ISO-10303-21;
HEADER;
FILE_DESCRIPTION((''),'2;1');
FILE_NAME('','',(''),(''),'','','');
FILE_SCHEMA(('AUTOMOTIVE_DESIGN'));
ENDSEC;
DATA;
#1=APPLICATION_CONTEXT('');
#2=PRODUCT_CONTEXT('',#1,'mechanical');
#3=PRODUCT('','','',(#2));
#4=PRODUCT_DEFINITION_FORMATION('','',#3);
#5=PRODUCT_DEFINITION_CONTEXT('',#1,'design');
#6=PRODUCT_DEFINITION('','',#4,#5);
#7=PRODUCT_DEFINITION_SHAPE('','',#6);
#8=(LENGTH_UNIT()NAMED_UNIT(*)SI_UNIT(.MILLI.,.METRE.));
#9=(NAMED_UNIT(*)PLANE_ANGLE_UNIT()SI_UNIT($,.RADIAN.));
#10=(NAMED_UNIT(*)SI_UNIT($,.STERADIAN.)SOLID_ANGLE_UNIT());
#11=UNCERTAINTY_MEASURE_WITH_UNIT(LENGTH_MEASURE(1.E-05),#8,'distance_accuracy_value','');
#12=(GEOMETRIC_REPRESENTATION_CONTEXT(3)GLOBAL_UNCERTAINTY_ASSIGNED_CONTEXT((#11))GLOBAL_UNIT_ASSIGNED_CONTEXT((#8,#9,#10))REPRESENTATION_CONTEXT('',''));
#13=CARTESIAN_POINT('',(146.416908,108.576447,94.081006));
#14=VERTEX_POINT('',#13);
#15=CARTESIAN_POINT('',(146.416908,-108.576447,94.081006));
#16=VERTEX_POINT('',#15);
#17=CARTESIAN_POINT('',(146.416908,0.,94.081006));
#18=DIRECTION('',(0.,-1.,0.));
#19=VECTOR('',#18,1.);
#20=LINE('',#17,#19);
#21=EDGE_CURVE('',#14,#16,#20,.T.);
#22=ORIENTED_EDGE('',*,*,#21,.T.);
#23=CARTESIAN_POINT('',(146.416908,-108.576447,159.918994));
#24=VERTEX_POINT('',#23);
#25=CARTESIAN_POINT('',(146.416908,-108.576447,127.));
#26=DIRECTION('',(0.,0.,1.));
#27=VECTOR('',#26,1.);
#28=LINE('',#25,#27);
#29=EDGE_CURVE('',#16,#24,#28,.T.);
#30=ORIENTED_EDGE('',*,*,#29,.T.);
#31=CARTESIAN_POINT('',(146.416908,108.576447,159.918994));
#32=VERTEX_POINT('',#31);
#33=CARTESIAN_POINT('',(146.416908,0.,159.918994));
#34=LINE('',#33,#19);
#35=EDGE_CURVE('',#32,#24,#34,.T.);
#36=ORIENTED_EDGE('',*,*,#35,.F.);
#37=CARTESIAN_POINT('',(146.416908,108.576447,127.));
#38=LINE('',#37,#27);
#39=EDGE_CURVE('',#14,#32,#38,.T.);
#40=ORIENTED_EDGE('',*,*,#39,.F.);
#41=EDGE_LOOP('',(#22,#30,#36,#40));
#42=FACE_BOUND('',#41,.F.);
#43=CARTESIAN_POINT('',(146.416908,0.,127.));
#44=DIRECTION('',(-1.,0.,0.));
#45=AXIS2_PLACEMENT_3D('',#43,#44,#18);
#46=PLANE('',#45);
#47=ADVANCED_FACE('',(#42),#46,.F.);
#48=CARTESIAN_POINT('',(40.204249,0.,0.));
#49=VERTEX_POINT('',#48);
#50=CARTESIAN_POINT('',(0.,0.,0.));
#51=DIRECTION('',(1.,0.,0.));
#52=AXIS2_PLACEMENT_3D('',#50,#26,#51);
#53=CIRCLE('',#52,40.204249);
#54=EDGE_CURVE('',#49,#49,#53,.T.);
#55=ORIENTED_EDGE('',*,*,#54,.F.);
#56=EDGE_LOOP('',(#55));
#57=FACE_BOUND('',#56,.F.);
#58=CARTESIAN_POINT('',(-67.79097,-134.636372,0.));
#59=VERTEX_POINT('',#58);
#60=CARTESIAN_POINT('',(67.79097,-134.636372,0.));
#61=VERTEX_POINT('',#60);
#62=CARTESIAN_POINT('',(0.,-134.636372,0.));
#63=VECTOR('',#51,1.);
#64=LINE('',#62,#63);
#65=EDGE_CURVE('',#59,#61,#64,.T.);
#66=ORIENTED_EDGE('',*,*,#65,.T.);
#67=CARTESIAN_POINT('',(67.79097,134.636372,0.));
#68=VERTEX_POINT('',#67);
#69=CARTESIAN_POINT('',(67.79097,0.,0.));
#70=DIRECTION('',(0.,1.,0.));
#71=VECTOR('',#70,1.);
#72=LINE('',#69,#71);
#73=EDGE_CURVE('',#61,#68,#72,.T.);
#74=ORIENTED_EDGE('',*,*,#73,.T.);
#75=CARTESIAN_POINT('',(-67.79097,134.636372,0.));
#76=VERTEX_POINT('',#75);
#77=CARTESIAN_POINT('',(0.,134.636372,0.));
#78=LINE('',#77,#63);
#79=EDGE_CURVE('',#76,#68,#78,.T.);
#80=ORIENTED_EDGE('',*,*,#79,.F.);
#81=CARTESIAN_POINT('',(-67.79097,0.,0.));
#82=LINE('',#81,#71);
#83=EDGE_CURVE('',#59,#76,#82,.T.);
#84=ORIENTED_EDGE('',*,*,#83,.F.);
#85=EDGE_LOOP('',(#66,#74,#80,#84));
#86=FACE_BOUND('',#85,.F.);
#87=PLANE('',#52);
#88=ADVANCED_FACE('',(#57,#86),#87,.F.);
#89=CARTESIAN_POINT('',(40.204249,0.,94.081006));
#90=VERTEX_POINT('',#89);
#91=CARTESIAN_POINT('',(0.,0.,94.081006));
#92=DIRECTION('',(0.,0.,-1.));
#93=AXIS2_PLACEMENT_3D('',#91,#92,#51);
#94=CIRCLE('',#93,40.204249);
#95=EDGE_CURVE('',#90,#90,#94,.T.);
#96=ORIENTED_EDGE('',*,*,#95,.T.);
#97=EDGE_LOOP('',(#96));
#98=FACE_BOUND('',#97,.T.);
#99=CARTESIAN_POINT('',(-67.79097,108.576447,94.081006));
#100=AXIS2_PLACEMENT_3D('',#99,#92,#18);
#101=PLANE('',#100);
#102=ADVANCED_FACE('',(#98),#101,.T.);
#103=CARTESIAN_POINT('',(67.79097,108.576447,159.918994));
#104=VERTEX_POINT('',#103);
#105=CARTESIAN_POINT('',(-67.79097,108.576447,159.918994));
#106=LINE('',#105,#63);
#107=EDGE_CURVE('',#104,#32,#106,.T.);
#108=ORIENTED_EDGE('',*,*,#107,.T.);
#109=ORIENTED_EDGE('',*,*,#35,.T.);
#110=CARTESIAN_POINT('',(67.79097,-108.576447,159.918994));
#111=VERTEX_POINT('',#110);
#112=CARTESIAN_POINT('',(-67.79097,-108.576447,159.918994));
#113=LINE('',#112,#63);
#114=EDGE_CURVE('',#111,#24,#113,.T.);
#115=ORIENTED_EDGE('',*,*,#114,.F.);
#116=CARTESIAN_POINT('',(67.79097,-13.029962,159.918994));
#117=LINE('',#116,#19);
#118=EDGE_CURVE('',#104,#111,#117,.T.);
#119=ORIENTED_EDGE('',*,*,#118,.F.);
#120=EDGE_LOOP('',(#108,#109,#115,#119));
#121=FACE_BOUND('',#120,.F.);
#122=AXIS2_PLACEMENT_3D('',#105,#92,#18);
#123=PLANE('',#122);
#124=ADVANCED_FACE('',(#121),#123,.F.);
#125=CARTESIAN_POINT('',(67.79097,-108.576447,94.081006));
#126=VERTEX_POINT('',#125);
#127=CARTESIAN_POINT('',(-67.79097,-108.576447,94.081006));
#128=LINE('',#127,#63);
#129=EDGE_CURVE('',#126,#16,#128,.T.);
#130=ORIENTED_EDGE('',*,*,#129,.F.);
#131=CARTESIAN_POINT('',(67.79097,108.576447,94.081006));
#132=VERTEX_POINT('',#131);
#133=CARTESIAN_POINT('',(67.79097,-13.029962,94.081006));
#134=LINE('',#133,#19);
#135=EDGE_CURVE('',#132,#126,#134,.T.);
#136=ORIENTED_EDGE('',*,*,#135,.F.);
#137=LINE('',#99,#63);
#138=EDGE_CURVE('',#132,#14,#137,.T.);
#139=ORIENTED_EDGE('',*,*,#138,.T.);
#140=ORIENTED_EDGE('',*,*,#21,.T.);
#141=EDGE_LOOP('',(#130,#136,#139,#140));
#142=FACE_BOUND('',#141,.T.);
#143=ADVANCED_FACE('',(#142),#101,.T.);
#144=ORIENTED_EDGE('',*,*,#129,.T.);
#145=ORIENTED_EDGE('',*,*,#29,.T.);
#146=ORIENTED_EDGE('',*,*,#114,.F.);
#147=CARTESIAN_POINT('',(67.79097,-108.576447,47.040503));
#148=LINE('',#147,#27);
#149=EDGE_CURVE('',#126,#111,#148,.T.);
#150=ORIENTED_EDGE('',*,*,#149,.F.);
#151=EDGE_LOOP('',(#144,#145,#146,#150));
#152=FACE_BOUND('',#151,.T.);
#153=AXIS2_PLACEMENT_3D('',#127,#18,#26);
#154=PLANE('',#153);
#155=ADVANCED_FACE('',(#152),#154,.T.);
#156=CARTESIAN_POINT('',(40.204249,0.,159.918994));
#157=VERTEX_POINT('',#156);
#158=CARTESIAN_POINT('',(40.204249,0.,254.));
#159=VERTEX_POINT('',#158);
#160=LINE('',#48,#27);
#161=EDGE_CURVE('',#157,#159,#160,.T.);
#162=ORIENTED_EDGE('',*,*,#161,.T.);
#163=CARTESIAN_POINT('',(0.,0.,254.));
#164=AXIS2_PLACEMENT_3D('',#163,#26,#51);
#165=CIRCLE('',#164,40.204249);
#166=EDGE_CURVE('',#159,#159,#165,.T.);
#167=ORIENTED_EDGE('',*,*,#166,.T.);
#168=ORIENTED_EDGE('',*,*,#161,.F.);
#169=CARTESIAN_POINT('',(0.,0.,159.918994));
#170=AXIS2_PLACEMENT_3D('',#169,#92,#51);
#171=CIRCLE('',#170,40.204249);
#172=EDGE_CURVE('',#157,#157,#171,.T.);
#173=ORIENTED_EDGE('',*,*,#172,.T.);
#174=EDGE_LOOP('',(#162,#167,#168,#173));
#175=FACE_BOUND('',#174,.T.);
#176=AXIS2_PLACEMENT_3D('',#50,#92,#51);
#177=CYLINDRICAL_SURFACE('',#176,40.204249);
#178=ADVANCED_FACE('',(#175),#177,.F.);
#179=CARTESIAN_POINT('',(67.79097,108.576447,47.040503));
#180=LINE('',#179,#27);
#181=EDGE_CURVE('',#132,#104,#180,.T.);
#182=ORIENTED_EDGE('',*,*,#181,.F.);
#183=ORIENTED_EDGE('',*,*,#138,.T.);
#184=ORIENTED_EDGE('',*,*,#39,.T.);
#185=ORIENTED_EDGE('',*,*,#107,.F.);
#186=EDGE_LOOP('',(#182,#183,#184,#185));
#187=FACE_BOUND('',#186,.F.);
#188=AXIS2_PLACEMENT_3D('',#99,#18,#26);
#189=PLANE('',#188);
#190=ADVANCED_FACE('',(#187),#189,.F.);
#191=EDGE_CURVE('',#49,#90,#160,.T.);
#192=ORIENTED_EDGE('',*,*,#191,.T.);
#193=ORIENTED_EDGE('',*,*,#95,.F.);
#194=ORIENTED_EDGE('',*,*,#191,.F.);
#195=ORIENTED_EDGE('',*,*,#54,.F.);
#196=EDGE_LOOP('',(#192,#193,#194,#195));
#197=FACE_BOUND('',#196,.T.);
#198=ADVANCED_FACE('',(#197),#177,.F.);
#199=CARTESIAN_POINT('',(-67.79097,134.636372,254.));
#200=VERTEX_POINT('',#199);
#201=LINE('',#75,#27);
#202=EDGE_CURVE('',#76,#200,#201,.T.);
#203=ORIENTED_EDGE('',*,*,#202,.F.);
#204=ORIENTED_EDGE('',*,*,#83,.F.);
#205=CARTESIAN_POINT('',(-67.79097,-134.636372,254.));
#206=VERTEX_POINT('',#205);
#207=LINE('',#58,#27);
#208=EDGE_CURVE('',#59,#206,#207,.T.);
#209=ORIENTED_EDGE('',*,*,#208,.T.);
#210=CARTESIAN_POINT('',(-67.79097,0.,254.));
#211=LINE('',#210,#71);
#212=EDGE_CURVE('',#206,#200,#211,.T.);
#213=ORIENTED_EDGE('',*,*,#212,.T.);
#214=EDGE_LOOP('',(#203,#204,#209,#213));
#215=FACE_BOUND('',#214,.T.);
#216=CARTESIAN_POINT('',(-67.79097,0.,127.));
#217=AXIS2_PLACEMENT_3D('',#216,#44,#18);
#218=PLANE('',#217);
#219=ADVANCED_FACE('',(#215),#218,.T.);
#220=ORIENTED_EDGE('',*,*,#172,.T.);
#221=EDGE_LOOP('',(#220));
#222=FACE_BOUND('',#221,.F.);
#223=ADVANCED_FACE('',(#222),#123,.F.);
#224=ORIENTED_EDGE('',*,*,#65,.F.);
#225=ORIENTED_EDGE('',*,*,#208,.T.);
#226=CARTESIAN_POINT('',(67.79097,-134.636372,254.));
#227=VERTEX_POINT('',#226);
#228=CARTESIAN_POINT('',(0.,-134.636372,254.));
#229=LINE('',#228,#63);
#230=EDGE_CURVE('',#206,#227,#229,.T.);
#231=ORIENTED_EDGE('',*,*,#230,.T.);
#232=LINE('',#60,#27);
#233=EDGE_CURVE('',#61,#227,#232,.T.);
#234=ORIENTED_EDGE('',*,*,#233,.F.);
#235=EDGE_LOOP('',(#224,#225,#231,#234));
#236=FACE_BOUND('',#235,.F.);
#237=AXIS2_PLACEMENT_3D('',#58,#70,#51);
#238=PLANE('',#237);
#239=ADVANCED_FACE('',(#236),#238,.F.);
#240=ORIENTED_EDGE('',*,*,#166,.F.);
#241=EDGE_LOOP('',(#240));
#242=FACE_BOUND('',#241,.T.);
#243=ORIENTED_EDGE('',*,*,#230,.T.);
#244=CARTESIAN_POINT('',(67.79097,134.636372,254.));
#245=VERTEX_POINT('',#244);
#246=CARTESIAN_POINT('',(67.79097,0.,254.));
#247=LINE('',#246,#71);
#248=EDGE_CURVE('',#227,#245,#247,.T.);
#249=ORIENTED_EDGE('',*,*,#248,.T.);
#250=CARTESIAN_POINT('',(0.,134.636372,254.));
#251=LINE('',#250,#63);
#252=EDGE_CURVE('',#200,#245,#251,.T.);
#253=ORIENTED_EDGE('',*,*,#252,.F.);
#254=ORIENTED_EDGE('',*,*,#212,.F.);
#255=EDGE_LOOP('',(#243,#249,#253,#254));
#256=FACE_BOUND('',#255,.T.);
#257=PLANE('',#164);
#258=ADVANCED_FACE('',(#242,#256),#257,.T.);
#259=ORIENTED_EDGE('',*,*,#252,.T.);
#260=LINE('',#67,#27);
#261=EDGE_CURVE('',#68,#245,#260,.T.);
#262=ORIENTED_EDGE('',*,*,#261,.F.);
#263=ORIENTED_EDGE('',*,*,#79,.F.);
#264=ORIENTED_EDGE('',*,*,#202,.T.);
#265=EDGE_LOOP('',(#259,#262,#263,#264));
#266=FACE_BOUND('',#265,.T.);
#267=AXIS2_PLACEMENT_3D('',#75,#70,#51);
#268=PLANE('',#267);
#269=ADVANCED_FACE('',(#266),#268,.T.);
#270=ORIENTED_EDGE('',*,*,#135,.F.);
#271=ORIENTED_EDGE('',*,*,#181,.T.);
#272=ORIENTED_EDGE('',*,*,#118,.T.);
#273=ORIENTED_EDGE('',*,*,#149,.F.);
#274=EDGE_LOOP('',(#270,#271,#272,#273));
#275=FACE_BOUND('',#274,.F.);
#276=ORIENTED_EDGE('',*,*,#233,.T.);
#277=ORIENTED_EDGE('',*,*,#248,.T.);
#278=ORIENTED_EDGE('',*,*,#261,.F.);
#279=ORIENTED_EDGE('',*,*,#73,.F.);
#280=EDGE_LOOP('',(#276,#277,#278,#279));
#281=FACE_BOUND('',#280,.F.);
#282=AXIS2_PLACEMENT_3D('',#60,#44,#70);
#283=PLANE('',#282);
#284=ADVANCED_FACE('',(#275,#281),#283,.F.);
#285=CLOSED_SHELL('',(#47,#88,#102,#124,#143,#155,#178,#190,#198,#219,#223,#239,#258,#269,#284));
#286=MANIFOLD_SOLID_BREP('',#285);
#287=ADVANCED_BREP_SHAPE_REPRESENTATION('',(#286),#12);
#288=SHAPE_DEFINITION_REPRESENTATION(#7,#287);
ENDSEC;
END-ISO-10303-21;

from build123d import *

# Parameters (mm, degrees)
F1_W     = 135.58194
F1_H     = 269.272744
F1_R     = 40.204249
F2_DEPTH = 254
F3_W     = 217.152894
F3_H     = 65.837988
F4_DEPTH = 214.207878


with BuildPart() as f2:
    # F1 (on face) → F2 (new body)
    with BuildSketch(Plane.XY):
        Rectangle(F1_W, F1_H)
        Circle(F1_R, mode=Mode.SUBTRACT)
    extrude(amount=F2_DEPTH)

    # F3 (on face) → F4 (join)
    with BuildSketch(Plane(origin=(-67.79097, 0, 0), x_dir=(0, -1, 0), z_dir=(-1, 0, 0))):
        with Locations((0, 127)):
            Rectangle(F3_W, F3_H)
    extrude(amount=-F4_DEPTH)


solid = f2.part
